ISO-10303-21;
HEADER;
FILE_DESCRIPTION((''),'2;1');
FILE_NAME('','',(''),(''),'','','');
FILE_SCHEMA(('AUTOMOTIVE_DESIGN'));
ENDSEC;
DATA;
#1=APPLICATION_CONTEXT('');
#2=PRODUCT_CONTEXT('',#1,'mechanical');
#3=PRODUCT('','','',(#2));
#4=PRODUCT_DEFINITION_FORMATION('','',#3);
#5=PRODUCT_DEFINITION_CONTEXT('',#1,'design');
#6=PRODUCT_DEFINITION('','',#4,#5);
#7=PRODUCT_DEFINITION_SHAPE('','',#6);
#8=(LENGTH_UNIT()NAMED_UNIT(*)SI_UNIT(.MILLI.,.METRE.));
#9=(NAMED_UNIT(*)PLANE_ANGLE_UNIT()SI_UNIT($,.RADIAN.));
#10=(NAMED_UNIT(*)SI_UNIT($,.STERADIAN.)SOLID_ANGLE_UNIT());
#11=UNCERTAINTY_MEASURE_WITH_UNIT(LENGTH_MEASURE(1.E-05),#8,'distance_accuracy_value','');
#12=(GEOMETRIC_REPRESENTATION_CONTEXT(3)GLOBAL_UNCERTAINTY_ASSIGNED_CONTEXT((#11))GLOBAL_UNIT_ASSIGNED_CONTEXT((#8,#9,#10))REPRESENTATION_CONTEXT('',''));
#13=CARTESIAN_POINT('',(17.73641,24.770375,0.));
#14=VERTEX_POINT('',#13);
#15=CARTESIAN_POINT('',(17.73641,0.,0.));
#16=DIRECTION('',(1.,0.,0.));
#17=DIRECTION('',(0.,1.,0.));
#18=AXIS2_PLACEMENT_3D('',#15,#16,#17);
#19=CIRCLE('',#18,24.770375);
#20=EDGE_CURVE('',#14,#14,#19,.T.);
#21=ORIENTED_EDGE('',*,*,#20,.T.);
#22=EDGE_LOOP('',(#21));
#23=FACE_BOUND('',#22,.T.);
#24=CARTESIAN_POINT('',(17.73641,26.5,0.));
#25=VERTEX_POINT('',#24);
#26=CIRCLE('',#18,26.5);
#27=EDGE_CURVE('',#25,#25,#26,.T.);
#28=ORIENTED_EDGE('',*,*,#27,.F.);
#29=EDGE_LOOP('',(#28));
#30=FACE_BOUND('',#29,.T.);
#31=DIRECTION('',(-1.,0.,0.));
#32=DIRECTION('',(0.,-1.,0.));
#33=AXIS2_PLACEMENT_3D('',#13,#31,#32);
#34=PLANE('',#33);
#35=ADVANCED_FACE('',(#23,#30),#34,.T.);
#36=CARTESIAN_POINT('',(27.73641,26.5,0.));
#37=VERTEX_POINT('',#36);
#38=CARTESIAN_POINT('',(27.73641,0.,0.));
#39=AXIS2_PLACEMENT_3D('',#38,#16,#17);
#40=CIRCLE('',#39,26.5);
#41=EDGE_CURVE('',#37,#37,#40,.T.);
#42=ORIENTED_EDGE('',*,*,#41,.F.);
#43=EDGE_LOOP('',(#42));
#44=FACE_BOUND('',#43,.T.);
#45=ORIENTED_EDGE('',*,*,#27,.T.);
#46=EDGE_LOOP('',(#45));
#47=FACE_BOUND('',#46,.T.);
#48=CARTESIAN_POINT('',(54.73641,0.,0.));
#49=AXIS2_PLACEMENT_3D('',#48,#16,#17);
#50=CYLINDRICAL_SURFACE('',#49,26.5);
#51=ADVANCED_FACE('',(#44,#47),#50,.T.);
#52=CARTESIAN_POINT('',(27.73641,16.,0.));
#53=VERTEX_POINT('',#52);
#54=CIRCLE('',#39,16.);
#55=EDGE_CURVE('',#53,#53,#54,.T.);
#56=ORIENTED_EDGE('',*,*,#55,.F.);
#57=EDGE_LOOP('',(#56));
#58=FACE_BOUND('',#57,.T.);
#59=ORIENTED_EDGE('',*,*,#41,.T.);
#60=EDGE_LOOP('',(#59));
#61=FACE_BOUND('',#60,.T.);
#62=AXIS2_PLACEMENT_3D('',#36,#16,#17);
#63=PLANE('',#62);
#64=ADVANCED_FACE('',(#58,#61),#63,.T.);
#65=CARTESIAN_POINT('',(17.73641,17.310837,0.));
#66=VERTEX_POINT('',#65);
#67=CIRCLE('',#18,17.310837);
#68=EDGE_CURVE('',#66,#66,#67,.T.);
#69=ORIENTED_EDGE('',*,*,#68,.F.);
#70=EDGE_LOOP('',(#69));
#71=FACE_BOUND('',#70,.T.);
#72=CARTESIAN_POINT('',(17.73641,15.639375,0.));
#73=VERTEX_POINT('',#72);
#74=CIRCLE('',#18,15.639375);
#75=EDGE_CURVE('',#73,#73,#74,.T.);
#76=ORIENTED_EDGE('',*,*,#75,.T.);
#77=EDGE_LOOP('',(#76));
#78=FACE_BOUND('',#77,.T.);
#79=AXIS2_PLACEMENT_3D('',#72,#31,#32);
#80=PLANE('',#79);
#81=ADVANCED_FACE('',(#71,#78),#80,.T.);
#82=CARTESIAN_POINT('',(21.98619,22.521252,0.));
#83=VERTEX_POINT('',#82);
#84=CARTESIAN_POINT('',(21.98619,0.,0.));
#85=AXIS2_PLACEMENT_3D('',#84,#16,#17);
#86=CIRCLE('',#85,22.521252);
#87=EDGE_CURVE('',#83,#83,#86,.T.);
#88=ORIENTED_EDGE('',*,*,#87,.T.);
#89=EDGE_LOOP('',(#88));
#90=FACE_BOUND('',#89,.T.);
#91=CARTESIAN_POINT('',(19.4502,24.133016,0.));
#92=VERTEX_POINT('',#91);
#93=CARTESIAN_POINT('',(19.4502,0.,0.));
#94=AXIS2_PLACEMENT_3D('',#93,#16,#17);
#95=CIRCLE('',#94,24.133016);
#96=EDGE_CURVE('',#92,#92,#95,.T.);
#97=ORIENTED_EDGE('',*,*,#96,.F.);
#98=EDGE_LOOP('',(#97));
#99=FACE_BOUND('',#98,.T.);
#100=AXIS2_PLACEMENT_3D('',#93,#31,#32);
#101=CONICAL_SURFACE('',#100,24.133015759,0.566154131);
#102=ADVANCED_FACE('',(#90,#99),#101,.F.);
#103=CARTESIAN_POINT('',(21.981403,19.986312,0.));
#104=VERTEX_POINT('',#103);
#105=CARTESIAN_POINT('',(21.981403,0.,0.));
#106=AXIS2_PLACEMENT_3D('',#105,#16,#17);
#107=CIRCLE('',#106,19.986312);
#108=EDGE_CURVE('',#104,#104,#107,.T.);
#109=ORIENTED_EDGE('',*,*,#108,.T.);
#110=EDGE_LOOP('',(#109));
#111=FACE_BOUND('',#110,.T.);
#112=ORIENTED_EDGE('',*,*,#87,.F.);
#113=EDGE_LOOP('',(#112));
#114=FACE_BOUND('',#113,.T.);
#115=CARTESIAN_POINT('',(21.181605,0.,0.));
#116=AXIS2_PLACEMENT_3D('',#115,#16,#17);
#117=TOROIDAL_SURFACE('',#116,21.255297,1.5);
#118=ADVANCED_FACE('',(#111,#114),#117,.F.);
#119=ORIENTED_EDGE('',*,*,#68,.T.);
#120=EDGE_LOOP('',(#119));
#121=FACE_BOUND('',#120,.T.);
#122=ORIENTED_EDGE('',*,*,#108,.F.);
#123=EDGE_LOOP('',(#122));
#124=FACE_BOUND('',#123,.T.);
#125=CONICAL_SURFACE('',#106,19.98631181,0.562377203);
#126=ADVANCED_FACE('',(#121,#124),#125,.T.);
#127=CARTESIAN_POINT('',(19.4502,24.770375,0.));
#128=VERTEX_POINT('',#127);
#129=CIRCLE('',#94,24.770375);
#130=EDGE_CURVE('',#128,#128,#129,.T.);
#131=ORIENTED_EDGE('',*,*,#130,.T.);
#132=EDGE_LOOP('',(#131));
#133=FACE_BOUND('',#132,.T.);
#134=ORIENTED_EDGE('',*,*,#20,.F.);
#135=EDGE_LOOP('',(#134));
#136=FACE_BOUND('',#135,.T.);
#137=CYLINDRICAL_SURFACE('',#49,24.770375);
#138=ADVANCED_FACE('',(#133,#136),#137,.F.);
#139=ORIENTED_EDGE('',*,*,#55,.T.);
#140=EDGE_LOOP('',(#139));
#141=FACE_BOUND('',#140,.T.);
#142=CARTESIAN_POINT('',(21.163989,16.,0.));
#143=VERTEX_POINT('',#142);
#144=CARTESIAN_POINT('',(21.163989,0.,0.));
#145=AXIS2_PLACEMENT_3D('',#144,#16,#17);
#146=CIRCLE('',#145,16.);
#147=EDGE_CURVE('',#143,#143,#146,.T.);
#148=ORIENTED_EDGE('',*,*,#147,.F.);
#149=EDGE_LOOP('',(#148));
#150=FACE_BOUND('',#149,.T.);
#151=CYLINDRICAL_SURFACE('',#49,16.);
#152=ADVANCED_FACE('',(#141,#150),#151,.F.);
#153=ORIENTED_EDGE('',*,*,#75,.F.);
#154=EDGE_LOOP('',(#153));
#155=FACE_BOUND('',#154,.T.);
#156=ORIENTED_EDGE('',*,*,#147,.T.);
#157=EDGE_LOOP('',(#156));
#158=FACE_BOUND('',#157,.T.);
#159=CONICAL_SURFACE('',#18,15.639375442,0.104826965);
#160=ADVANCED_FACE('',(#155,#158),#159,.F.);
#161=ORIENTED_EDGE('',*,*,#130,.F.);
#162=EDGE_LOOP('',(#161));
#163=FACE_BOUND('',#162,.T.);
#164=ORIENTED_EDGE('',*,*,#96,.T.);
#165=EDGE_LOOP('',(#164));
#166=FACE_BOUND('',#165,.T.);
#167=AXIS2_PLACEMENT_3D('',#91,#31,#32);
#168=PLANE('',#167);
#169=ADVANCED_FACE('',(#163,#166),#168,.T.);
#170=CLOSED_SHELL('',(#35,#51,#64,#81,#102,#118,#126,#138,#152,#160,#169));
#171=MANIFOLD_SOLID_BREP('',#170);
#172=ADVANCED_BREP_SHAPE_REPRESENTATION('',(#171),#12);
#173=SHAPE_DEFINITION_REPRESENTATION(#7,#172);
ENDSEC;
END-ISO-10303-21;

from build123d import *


with BuildPart() as part:
    # Croquis1 → Revolución1 (revolve)
    with BuildSketch(Plane.XY):
        with BuildLine():
            Line((17.736410427, 26.5), (27.736410427, 26.5))
            Line((27.736410427, 26.5), (27.736410427, 16))
            Line((27.736410427, 16), (21.163988978, 16))
            Line((21.163988978, 16), (17.736410427, 15.639375442))
            Line((17.736410427, 15.639375442), (17.736410427, 17.310836969))
            Line((17.736410427, 17.310836969), (21.981402985, 19.98631181))
            ThreePointArc((21.981402985, 19.98631181), (22.681602121, 21.252464086), (21.986190134, 22.521251927))
            Line((21.986190134, 22.521251927), (19.450199702, 24.133015759))
            Line((19.450199702, 24.133015759), (19.450199702, 24.770374886))
            Line((19.450199702, 24.770374886), (17.736410427, 24.770374886))
            Line((17.736410427, 24.770374886), (17.736410427, 26.5))
        make_face()
    revolve(axis=Axis((54.736410427, 0, 0), (-1, 0, 0)))


solid = part.part
